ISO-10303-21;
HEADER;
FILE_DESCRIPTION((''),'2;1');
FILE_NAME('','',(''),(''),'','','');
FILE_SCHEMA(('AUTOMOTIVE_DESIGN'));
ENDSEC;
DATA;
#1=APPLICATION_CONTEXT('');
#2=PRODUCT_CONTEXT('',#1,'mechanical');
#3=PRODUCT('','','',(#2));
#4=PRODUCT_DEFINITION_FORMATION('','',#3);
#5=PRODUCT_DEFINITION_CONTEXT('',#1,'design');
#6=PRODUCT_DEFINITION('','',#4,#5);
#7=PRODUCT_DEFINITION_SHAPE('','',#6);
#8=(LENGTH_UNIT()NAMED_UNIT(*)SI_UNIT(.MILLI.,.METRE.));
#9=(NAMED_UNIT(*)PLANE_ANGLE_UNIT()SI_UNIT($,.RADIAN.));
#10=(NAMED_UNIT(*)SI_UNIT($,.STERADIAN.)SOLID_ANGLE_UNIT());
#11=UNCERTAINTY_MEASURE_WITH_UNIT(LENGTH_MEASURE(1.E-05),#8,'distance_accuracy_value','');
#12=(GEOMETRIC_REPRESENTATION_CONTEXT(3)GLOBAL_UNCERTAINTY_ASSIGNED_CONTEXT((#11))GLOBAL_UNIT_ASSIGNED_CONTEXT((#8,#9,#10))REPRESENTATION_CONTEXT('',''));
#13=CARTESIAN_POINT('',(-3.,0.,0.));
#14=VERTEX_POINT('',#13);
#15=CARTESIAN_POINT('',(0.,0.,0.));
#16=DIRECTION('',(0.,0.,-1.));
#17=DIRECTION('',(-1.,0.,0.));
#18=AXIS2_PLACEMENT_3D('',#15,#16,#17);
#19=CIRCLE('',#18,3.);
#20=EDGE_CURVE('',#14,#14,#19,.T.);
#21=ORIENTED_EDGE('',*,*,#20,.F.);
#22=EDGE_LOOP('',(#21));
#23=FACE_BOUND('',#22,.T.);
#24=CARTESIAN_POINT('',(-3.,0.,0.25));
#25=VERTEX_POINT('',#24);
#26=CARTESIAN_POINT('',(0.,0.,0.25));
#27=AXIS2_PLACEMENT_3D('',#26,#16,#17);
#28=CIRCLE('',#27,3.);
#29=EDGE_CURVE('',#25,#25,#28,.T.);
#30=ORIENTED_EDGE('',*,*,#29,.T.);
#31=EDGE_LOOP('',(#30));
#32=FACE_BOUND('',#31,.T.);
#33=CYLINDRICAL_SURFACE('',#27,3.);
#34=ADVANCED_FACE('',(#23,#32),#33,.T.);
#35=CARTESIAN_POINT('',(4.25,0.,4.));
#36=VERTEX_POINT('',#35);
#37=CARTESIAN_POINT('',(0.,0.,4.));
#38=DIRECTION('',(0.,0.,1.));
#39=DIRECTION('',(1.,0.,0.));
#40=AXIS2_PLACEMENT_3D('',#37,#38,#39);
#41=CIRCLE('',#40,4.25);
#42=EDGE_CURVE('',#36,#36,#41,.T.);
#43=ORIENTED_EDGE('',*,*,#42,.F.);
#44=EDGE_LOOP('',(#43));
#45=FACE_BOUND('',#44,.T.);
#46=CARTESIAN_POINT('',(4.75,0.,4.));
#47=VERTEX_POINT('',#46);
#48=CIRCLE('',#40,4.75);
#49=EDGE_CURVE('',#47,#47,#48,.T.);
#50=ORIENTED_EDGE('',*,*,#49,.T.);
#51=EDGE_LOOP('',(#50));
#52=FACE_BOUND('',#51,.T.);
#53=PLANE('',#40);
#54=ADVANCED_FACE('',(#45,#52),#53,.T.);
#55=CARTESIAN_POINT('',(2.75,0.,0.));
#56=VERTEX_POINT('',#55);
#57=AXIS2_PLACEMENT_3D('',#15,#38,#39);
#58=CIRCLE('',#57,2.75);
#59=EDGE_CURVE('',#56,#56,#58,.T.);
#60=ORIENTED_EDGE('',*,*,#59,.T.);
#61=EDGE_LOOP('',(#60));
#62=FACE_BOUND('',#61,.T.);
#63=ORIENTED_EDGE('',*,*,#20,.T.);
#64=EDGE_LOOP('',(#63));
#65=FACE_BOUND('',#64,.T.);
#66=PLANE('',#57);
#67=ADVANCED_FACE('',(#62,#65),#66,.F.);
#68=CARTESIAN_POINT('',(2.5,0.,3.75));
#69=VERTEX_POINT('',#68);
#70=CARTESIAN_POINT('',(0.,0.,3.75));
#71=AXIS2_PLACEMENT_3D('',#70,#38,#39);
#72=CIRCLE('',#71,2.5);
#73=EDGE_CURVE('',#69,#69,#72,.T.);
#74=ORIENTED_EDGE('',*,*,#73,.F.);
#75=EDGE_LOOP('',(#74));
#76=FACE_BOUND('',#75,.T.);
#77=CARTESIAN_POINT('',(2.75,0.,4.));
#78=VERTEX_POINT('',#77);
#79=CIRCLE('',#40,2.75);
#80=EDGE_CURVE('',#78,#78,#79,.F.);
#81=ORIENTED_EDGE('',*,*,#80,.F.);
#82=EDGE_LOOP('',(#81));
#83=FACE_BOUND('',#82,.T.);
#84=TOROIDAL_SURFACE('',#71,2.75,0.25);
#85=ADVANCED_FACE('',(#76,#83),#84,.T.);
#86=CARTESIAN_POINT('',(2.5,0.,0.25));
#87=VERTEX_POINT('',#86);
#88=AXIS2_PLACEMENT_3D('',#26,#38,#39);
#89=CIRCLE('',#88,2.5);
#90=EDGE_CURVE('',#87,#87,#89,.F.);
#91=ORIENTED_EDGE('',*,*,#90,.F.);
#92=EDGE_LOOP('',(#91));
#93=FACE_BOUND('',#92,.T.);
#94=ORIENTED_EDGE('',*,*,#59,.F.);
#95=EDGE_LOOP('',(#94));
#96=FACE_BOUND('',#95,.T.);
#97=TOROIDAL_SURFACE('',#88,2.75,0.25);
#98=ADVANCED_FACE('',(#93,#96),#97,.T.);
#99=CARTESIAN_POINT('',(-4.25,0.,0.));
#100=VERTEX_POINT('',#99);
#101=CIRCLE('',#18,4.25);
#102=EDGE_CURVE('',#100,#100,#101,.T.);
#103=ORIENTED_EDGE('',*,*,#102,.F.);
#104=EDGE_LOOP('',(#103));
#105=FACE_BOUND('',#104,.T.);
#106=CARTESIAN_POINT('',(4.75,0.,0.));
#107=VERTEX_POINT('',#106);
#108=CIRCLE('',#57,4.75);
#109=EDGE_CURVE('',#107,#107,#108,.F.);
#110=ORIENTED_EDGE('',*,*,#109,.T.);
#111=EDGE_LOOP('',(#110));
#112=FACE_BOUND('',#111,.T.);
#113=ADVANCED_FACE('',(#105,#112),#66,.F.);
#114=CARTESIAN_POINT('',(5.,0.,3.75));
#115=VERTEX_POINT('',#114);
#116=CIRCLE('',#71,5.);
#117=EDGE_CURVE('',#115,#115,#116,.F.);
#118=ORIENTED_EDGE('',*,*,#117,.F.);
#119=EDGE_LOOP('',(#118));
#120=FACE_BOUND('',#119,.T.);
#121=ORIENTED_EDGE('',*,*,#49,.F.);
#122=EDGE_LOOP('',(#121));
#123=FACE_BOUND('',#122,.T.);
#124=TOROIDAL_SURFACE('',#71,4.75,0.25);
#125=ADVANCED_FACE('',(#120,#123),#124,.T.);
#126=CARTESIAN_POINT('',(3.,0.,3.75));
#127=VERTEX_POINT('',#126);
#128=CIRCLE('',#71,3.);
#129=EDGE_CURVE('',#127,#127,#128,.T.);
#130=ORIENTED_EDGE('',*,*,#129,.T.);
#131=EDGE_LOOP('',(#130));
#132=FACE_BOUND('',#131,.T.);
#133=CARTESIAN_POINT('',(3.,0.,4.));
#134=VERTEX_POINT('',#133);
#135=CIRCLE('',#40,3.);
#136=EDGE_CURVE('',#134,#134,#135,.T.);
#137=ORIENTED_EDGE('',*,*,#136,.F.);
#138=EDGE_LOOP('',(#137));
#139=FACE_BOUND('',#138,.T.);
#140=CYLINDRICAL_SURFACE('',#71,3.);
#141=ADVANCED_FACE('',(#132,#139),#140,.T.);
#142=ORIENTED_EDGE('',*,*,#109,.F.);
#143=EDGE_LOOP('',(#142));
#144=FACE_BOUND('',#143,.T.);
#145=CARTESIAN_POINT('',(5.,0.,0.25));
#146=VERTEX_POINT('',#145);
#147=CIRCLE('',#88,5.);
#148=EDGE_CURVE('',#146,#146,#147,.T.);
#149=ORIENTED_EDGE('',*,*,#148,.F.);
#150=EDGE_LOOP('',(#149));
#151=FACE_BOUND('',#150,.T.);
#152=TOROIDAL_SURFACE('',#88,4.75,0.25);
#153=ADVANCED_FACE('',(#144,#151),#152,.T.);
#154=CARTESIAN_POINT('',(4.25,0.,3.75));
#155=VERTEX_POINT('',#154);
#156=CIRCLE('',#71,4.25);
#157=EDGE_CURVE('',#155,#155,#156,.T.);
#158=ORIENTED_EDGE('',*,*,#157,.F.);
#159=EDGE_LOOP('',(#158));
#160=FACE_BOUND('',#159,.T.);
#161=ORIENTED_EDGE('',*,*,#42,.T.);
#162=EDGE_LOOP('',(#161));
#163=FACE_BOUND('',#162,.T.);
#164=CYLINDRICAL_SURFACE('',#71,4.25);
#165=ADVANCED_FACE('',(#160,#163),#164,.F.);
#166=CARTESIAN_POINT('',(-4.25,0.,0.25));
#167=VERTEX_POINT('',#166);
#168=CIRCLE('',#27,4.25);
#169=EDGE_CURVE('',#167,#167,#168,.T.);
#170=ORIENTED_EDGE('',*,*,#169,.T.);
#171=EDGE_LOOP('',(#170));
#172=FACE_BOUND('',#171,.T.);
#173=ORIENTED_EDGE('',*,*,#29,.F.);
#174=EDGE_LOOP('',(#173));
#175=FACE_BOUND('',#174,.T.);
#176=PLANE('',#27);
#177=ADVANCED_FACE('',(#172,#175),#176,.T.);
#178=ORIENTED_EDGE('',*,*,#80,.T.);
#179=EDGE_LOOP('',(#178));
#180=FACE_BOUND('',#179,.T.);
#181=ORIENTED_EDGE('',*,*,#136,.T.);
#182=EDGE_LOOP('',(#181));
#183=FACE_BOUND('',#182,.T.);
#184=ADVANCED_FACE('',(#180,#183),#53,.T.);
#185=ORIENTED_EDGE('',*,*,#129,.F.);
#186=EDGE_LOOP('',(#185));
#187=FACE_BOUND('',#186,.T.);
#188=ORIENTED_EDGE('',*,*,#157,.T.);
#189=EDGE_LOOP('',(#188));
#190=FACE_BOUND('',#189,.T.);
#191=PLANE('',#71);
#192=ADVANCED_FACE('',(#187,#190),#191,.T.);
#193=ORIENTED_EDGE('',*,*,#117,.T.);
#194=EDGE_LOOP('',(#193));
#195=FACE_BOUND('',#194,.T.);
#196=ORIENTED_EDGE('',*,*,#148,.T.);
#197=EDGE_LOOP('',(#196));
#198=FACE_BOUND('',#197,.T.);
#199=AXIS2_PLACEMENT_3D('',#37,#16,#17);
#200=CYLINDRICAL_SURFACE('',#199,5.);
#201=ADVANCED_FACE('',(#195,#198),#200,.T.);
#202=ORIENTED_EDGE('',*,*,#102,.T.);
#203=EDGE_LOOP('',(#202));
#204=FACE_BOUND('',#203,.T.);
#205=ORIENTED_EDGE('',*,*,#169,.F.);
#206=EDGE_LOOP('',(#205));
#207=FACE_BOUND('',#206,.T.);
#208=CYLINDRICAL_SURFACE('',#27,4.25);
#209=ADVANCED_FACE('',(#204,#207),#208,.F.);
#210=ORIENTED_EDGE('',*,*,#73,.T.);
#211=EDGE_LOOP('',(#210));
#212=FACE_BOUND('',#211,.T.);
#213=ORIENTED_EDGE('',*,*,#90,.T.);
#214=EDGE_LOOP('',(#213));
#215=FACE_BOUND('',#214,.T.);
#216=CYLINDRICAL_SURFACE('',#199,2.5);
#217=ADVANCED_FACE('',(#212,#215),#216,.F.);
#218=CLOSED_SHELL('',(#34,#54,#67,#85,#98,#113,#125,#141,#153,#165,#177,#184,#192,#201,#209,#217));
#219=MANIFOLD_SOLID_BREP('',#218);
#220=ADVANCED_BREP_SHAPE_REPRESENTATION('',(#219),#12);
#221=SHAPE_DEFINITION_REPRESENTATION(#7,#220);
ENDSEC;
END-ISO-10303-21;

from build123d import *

# Parameters (mm, degrees)
SKETCH1_R           = 5
SKETCH1_R_2         = 2.5
BOSS_EXTRUDE1_DEPTH = 4
FILLET1_R           = 0.25
FILLET2_R           = 0.25
SKETCH2_R           = 4.25
SKETCH2_R_2         = 3
CUT_EXTRUDE1_DEPTH  = 0.25
SKETCH3_R           = 4.25
SKETCH3_R_2         = 3
CUT_EXTRUDE2_DEPTH  = 0.25


with BuildPart() as part:
    # Sketch1 → Boss-Extrude1 (new body)
    with BuildSketch(Plane.XY):
        Circle(SKETCH1_R)
        Circle(SKETCH1_R_2, mode=Mode.SUBTRACT)
    extrude(amount=BOSS_EXTRUDE1_DEPTH)

    # Fillet1
    fillet1_edges = [part.edges().sort_by_distance(p)[0] for p in [
        (-5, 0, 0),
        (-5, 0, 4),
    ]]
    fillet(fillet1_edges, radius=FILLET1_R)

    # Fillet2
    fillet2_edges = [part.edges().sort_by_distance(p)[0] for p in [
        (-2.5, 0, 0),
        (-2.5, 0, 4),
    ]]
    fillet(fillet2_edges, radius=FILLET2_R)

    # Sketch2 → Cut-Extrude1 (cut)
    with BuildSketch(Plane.XY.offset(4)):
        Circle(SKETCH2_R)
        Circle(SKETCH2_R_2, mode=Mode.SUBTRACT)
    extrude(amount=-CUT_EXTRUDE1_DEPTH, mode=Mode.SUBTRACT)

    # Sketch3 → Cut-Extrude2 (cut)
    with BuildSketch(Plane(origin=(0, 0, 0), x_dir=(-1, 0, 0), z_dir=(0, 0, -1))):
        Circle(SKETCH3_R)
        Circle(SKETCH3_R_2, mode=Mode.SUBTRACT)
    extrude(amount=-CUT_EXTRUDE2_DEPTH, mode=Mode.SUBTRACT)


solid = part.part
